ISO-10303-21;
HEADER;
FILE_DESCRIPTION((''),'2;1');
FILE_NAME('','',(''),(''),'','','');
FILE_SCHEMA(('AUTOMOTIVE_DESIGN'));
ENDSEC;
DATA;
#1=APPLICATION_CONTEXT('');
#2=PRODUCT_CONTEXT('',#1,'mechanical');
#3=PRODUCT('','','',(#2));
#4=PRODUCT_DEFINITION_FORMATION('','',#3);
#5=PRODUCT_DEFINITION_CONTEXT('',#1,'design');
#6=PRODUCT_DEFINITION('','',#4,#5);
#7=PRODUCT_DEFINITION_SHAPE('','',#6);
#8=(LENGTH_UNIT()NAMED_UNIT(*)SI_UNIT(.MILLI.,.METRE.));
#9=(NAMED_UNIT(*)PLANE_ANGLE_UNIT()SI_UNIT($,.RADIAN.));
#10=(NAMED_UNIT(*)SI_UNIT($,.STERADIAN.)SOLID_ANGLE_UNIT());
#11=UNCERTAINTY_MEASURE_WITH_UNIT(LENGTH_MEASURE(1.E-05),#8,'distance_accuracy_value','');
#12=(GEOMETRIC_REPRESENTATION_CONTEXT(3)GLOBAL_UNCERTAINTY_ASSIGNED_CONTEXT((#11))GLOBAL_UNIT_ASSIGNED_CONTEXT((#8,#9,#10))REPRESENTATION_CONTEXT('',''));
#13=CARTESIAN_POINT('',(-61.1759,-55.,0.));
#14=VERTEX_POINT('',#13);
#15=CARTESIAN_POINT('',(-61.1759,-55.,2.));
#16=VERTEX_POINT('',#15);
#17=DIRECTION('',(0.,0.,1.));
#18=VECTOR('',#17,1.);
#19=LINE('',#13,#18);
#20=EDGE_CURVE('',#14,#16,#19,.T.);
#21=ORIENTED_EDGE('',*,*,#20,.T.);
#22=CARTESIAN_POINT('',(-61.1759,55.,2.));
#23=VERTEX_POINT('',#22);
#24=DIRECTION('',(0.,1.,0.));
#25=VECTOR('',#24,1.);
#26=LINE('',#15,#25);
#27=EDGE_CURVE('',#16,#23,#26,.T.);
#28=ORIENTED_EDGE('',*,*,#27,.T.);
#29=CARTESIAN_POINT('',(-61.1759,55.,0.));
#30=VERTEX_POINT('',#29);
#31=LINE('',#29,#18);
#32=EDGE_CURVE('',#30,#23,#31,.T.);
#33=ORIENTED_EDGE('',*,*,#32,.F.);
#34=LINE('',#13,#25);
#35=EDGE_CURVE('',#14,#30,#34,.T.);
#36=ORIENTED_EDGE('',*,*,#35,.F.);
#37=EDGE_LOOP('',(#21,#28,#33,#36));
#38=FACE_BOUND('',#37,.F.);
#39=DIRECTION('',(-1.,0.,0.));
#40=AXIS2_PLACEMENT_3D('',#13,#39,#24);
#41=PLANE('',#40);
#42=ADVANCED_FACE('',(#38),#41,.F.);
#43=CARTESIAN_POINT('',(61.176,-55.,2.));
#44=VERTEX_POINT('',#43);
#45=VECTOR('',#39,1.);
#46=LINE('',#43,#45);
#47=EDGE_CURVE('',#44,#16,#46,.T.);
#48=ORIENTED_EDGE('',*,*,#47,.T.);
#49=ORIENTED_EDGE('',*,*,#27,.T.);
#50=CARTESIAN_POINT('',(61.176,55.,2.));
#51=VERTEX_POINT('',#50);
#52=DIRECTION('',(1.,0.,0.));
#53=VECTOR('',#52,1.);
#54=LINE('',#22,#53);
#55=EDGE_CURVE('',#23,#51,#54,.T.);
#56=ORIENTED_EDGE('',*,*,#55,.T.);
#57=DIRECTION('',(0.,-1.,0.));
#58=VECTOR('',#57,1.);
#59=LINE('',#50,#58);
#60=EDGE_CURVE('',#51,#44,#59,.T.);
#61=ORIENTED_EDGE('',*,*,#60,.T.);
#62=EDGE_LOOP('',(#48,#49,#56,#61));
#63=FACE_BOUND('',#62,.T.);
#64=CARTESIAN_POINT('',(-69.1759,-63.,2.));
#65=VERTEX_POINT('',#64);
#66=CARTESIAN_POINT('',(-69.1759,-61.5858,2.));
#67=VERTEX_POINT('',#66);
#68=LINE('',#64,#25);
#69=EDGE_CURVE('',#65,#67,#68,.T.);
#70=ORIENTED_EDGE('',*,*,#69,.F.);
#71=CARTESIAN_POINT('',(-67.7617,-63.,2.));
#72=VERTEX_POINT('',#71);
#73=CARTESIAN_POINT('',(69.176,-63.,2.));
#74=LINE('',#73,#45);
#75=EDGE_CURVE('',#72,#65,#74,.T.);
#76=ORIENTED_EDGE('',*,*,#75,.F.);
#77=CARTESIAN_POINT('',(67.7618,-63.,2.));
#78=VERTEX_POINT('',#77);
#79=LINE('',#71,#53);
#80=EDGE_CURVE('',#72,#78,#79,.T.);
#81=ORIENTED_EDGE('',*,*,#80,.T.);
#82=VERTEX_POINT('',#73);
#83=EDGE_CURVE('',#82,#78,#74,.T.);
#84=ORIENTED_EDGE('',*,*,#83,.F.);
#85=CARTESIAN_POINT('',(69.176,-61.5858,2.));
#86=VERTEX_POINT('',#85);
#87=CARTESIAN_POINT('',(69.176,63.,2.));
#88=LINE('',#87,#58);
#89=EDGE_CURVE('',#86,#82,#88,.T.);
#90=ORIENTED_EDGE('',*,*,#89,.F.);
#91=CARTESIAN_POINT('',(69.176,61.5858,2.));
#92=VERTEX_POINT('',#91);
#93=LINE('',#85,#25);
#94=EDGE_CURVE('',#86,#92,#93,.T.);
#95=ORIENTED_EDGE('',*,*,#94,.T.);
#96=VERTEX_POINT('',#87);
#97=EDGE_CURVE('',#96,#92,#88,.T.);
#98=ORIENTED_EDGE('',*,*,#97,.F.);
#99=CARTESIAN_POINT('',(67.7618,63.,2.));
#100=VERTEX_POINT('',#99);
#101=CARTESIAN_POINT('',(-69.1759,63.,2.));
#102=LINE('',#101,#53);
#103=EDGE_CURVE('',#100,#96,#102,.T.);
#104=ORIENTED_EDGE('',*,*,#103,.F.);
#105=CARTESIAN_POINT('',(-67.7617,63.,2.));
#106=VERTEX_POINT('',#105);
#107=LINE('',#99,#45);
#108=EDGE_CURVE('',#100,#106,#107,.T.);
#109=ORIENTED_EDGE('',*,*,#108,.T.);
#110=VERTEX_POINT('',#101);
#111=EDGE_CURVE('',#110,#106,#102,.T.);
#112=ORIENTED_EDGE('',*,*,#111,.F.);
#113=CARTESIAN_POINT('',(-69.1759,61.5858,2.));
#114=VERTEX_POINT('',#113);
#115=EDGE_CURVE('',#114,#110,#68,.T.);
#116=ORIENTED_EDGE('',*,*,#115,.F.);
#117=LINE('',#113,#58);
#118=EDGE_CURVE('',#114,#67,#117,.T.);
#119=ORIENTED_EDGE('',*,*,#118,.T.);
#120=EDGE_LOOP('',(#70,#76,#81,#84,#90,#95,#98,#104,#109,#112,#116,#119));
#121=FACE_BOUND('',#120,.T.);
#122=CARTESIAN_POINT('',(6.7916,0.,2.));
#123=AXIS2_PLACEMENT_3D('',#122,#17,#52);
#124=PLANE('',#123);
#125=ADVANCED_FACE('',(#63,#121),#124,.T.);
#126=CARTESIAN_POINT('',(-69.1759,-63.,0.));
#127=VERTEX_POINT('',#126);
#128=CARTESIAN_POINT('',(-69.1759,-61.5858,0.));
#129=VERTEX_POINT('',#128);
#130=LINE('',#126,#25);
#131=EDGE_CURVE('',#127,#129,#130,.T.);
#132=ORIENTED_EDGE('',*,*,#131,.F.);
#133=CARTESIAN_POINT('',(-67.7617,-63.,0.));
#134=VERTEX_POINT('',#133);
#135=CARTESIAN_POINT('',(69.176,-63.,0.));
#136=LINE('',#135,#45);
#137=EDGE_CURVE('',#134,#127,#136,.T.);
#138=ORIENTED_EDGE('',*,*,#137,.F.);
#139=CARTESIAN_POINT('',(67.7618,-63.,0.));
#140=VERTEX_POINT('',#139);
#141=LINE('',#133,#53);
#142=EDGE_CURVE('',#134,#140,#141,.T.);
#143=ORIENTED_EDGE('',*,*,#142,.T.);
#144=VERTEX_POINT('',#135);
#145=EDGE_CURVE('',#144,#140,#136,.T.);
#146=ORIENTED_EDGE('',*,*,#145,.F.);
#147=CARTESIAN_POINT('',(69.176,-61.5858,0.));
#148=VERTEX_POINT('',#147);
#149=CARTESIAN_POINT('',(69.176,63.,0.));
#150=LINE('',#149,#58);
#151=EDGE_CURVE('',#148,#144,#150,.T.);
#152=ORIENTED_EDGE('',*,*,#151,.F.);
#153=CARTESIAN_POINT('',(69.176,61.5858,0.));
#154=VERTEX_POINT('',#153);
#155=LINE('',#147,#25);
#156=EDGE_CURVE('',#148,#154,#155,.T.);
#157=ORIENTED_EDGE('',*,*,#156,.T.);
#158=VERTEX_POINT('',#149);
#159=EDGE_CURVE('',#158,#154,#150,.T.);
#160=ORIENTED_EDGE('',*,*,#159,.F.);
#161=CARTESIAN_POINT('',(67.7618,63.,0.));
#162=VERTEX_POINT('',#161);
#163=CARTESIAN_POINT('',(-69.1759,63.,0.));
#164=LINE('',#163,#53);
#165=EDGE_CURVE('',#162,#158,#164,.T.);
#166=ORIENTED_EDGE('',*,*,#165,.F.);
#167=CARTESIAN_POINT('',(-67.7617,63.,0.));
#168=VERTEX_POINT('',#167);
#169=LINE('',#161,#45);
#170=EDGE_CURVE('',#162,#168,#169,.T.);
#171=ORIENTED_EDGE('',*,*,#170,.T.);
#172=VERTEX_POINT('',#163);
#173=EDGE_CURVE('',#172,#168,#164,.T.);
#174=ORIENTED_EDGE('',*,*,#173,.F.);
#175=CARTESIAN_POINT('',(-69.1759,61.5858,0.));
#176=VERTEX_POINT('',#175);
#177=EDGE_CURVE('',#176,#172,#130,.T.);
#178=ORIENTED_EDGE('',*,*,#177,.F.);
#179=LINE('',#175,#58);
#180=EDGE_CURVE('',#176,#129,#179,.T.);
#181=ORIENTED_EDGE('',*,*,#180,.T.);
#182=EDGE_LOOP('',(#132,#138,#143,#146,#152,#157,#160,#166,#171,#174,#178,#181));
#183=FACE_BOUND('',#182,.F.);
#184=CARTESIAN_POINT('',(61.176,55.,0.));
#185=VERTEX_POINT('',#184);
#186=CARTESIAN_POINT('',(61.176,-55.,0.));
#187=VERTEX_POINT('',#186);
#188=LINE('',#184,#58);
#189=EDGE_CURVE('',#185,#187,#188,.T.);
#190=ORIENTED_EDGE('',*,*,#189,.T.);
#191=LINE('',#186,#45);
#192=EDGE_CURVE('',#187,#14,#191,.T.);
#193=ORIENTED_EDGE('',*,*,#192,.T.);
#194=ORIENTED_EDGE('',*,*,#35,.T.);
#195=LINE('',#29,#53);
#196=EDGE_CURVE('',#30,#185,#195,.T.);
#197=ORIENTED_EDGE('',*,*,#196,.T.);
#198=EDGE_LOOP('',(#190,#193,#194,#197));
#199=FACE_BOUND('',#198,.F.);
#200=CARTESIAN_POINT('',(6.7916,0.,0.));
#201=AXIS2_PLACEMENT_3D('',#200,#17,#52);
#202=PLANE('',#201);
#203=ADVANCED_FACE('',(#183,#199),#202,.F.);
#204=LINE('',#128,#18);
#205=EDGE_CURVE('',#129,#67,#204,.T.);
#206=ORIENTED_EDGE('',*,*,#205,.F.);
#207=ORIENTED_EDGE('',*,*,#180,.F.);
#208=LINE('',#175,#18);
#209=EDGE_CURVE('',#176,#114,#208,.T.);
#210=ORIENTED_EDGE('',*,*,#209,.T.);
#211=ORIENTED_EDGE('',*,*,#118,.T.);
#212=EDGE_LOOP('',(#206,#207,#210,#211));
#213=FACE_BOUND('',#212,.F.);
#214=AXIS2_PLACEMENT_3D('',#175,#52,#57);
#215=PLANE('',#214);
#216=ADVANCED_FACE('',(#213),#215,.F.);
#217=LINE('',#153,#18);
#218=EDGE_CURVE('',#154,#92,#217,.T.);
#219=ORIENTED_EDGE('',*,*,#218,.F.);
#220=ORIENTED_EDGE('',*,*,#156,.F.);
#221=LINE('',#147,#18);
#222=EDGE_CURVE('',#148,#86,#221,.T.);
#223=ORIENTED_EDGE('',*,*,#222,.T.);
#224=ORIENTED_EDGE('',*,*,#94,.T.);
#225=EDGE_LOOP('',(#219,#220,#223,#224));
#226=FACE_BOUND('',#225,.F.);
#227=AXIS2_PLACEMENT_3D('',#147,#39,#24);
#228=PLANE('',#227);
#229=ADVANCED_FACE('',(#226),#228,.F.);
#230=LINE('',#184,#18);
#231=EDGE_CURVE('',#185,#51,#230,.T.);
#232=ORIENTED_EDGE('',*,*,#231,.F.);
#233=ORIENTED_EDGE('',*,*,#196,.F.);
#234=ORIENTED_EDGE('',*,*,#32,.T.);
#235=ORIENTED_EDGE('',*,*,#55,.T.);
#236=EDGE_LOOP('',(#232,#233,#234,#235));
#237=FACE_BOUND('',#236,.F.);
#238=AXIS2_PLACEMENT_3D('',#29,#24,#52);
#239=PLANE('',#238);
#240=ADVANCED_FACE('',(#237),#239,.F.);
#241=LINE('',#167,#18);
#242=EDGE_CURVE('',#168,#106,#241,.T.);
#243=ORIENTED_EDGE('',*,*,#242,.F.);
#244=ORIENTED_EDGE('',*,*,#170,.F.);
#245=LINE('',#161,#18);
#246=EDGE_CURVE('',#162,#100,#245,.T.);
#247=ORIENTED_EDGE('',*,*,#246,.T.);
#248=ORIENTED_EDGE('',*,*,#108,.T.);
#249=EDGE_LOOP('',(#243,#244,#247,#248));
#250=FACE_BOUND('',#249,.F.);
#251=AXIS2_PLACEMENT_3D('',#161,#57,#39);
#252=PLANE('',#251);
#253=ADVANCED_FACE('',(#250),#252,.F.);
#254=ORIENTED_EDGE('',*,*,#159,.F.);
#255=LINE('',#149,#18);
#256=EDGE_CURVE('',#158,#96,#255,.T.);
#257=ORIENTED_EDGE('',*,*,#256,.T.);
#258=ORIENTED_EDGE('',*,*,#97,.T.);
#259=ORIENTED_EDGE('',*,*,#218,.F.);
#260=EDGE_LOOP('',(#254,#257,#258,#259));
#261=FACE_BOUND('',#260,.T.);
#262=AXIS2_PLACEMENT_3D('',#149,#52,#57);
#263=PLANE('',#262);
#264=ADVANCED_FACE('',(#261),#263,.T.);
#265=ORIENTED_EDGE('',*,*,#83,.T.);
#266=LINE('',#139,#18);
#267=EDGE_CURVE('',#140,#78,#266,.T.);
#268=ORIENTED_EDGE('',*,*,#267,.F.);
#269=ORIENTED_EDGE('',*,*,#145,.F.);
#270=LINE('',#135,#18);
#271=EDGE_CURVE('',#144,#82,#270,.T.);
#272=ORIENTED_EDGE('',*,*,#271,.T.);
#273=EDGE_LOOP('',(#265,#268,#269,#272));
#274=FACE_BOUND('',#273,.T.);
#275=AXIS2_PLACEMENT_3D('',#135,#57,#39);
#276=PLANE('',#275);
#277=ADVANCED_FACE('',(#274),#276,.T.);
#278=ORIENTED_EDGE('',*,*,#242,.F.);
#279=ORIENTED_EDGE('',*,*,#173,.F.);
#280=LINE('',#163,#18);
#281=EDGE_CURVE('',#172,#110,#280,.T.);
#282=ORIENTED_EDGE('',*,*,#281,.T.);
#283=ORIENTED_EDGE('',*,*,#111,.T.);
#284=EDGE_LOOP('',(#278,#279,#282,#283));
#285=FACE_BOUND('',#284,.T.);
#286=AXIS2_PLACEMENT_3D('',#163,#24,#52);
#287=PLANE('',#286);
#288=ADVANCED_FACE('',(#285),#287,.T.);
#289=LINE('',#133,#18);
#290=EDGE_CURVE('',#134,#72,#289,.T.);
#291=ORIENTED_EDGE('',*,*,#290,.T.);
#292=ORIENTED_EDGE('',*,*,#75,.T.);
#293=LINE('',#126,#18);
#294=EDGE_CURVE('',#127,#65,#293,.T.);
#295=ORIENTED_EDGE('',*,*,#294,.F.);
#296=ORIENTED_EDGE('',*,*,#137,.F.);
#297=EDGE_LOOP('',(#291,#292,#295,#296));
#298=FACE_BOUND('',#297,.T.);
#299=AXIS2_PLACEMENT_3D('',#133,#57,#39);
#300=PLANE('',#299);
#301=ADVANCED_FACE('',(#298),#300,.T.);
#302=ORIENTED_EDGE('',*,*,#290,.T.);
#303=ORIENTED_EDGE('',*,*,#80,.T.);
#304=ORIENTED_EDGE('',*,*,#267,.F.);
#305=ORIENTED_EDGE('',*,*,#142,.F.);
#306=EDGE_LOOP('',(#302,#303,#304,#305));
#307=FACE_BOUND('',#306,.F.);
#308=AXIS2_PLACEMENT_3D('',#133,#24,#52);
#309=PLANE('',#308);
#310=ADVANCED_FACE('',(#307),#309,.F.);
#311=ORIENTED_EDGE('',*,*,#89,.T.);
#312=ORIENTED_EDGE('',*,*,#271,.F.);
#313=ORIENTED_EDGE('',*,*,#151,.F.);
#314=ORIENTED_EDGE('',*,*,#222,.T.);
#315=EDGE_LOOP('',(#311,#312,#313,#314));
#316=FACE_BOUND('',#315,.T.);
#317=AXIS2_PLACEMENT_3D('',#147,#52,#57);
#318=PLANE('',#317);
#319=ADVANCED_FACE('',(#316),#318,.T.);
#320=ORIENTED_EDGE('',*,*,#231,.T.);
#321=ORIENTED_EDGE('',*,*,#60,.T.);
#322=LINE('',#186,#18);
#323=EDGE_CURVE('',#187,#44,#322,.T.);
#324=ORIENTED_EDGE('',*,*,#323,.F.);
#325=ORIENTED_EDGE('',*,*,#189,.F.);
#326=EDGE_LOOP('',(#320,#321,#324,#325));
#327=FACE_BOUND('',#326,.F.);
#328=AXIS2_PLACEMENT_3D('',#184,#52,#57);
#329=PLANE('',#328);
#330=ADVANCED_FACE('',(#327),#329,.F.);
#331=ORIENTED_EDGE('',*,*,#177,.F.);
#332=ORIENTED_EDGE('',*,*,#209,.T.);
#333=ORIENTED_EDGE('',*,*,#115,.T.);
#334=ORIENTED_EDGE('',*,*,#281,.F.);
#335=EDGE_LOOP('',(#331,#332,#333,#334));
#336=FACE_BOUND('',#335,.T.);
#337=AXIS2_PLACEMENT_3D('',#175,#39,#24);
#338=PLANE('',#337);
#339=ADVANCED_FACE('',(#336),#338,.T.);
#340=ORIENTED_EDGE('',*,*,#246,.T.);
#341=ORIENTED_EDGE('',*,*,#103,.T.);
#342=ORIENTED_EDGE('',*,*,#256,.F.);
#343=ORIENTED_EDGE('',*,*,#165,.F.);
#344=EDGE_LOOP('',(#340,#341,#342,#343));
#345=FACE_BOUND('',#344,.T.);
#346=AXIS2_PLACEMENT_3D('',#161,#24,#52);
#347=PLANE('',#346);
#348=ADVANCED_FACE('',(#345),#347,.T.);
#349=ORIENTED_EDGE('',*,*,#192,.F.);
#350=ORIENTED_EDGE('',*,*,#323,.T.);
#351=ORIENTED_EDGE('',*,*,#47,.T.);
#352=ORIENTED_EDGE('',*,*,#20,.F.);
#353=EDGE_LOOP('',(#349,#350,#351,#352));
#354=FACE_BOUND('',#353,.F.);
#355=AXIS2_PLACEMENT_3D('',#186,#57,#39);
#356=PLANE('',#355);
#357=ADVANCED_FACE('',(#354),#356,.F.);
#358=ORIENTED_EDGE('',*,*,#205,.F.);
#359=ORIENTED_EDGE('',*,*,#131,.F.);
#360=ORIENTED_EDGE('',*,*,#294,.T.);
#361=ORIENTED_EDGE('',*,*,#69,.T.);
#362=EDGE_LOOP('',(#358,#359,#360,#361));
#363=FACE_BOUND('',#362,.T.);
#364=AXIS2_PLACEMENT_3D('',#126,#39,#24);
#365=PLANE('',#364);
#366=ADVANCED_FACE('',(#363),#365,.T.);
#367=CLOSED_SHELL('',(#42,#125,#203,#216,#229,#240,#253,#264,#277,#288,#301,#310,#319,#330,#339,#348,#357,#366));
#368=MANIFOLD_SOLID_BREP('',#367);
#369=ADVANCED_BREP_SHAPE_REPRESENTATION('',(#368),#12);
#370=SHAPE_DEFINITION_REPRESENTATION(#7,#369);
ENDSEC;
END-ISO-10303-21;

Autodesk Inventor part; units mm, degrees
ref_plane "YZ Plane" through (0, 0, 0) normal (1, 0, 0) x (0, 1, 0)
ref_plane "XZ Plane" through (0, 0, 0) normal (0, 1, 0) x (-1, 0, 0)
ref_plane "XY Plane" through (0, 0, 0) normal (0, 0, 1) x (1, 0, 0)
ref_plane "Work Plane1" through (6.7916, 0, 0) normal (0, 0, 1) x (1, 0, 0)
sketch "Sketch1" plane through (6.7916, 0, 0) normal (0, 0, 1) x (1, 0, 0)
  line L0 (54.3844, -55) -> (-67.9675, -55)
  line L1 (-67.9675, -55) -> (-67.9675, 55)
  line L2 (-67.9675, 55) -> (54.3844, 55)
  line L3 (54.3844, 55) -> (54.3844, -55)
  line L4 (-74.5533, -63) -> (60.9702, -63) projected
  line L5 (-75.9675, 61.5858) -> (-75.9675, -61.5858) projected
  line L6 (60.9702, 63) -> (-74.5533, 63) projected
  line L7 (62.3844, -61.5858) -> (62.3844, 61.5858) projected
  line L8 (-75.9675, 63) -> (62.3844, 63)
  line L9 (62.3844, 63) -> (62.3844, -63)
  line L10 (62.3844, -63) -> (-75.9675, -63)
  line L11 (-75.9675, -63) -> (-75.9675, 63)
  point P0 (-6.7916, 0)
  point P1 (-69.176, 61.5858)
  point P2 (-69.176, -61.5858)
  point P3 (-67.7617, -63)
  point P4 (67.7617, -63)
  point P5 (69.176, -61.5858)
  point P6 (69.176, 61.5858)
  point P7 (67.7617, 63)
  point P8 (-67.7617, 63)
  dimension "d0" = 8
  dimension "d1" = 8
  dimension "d2" = 8
  dimension "d3" = 8
extrude "Extrusion1" add sketch "Sketch1" along normal blind 2
equation "\"d1\" = d0"
equation "\"d2\" = d0"
equation "\"d3\" = d0"
properties part number "těsnění" material "Rubber, Silicone"
